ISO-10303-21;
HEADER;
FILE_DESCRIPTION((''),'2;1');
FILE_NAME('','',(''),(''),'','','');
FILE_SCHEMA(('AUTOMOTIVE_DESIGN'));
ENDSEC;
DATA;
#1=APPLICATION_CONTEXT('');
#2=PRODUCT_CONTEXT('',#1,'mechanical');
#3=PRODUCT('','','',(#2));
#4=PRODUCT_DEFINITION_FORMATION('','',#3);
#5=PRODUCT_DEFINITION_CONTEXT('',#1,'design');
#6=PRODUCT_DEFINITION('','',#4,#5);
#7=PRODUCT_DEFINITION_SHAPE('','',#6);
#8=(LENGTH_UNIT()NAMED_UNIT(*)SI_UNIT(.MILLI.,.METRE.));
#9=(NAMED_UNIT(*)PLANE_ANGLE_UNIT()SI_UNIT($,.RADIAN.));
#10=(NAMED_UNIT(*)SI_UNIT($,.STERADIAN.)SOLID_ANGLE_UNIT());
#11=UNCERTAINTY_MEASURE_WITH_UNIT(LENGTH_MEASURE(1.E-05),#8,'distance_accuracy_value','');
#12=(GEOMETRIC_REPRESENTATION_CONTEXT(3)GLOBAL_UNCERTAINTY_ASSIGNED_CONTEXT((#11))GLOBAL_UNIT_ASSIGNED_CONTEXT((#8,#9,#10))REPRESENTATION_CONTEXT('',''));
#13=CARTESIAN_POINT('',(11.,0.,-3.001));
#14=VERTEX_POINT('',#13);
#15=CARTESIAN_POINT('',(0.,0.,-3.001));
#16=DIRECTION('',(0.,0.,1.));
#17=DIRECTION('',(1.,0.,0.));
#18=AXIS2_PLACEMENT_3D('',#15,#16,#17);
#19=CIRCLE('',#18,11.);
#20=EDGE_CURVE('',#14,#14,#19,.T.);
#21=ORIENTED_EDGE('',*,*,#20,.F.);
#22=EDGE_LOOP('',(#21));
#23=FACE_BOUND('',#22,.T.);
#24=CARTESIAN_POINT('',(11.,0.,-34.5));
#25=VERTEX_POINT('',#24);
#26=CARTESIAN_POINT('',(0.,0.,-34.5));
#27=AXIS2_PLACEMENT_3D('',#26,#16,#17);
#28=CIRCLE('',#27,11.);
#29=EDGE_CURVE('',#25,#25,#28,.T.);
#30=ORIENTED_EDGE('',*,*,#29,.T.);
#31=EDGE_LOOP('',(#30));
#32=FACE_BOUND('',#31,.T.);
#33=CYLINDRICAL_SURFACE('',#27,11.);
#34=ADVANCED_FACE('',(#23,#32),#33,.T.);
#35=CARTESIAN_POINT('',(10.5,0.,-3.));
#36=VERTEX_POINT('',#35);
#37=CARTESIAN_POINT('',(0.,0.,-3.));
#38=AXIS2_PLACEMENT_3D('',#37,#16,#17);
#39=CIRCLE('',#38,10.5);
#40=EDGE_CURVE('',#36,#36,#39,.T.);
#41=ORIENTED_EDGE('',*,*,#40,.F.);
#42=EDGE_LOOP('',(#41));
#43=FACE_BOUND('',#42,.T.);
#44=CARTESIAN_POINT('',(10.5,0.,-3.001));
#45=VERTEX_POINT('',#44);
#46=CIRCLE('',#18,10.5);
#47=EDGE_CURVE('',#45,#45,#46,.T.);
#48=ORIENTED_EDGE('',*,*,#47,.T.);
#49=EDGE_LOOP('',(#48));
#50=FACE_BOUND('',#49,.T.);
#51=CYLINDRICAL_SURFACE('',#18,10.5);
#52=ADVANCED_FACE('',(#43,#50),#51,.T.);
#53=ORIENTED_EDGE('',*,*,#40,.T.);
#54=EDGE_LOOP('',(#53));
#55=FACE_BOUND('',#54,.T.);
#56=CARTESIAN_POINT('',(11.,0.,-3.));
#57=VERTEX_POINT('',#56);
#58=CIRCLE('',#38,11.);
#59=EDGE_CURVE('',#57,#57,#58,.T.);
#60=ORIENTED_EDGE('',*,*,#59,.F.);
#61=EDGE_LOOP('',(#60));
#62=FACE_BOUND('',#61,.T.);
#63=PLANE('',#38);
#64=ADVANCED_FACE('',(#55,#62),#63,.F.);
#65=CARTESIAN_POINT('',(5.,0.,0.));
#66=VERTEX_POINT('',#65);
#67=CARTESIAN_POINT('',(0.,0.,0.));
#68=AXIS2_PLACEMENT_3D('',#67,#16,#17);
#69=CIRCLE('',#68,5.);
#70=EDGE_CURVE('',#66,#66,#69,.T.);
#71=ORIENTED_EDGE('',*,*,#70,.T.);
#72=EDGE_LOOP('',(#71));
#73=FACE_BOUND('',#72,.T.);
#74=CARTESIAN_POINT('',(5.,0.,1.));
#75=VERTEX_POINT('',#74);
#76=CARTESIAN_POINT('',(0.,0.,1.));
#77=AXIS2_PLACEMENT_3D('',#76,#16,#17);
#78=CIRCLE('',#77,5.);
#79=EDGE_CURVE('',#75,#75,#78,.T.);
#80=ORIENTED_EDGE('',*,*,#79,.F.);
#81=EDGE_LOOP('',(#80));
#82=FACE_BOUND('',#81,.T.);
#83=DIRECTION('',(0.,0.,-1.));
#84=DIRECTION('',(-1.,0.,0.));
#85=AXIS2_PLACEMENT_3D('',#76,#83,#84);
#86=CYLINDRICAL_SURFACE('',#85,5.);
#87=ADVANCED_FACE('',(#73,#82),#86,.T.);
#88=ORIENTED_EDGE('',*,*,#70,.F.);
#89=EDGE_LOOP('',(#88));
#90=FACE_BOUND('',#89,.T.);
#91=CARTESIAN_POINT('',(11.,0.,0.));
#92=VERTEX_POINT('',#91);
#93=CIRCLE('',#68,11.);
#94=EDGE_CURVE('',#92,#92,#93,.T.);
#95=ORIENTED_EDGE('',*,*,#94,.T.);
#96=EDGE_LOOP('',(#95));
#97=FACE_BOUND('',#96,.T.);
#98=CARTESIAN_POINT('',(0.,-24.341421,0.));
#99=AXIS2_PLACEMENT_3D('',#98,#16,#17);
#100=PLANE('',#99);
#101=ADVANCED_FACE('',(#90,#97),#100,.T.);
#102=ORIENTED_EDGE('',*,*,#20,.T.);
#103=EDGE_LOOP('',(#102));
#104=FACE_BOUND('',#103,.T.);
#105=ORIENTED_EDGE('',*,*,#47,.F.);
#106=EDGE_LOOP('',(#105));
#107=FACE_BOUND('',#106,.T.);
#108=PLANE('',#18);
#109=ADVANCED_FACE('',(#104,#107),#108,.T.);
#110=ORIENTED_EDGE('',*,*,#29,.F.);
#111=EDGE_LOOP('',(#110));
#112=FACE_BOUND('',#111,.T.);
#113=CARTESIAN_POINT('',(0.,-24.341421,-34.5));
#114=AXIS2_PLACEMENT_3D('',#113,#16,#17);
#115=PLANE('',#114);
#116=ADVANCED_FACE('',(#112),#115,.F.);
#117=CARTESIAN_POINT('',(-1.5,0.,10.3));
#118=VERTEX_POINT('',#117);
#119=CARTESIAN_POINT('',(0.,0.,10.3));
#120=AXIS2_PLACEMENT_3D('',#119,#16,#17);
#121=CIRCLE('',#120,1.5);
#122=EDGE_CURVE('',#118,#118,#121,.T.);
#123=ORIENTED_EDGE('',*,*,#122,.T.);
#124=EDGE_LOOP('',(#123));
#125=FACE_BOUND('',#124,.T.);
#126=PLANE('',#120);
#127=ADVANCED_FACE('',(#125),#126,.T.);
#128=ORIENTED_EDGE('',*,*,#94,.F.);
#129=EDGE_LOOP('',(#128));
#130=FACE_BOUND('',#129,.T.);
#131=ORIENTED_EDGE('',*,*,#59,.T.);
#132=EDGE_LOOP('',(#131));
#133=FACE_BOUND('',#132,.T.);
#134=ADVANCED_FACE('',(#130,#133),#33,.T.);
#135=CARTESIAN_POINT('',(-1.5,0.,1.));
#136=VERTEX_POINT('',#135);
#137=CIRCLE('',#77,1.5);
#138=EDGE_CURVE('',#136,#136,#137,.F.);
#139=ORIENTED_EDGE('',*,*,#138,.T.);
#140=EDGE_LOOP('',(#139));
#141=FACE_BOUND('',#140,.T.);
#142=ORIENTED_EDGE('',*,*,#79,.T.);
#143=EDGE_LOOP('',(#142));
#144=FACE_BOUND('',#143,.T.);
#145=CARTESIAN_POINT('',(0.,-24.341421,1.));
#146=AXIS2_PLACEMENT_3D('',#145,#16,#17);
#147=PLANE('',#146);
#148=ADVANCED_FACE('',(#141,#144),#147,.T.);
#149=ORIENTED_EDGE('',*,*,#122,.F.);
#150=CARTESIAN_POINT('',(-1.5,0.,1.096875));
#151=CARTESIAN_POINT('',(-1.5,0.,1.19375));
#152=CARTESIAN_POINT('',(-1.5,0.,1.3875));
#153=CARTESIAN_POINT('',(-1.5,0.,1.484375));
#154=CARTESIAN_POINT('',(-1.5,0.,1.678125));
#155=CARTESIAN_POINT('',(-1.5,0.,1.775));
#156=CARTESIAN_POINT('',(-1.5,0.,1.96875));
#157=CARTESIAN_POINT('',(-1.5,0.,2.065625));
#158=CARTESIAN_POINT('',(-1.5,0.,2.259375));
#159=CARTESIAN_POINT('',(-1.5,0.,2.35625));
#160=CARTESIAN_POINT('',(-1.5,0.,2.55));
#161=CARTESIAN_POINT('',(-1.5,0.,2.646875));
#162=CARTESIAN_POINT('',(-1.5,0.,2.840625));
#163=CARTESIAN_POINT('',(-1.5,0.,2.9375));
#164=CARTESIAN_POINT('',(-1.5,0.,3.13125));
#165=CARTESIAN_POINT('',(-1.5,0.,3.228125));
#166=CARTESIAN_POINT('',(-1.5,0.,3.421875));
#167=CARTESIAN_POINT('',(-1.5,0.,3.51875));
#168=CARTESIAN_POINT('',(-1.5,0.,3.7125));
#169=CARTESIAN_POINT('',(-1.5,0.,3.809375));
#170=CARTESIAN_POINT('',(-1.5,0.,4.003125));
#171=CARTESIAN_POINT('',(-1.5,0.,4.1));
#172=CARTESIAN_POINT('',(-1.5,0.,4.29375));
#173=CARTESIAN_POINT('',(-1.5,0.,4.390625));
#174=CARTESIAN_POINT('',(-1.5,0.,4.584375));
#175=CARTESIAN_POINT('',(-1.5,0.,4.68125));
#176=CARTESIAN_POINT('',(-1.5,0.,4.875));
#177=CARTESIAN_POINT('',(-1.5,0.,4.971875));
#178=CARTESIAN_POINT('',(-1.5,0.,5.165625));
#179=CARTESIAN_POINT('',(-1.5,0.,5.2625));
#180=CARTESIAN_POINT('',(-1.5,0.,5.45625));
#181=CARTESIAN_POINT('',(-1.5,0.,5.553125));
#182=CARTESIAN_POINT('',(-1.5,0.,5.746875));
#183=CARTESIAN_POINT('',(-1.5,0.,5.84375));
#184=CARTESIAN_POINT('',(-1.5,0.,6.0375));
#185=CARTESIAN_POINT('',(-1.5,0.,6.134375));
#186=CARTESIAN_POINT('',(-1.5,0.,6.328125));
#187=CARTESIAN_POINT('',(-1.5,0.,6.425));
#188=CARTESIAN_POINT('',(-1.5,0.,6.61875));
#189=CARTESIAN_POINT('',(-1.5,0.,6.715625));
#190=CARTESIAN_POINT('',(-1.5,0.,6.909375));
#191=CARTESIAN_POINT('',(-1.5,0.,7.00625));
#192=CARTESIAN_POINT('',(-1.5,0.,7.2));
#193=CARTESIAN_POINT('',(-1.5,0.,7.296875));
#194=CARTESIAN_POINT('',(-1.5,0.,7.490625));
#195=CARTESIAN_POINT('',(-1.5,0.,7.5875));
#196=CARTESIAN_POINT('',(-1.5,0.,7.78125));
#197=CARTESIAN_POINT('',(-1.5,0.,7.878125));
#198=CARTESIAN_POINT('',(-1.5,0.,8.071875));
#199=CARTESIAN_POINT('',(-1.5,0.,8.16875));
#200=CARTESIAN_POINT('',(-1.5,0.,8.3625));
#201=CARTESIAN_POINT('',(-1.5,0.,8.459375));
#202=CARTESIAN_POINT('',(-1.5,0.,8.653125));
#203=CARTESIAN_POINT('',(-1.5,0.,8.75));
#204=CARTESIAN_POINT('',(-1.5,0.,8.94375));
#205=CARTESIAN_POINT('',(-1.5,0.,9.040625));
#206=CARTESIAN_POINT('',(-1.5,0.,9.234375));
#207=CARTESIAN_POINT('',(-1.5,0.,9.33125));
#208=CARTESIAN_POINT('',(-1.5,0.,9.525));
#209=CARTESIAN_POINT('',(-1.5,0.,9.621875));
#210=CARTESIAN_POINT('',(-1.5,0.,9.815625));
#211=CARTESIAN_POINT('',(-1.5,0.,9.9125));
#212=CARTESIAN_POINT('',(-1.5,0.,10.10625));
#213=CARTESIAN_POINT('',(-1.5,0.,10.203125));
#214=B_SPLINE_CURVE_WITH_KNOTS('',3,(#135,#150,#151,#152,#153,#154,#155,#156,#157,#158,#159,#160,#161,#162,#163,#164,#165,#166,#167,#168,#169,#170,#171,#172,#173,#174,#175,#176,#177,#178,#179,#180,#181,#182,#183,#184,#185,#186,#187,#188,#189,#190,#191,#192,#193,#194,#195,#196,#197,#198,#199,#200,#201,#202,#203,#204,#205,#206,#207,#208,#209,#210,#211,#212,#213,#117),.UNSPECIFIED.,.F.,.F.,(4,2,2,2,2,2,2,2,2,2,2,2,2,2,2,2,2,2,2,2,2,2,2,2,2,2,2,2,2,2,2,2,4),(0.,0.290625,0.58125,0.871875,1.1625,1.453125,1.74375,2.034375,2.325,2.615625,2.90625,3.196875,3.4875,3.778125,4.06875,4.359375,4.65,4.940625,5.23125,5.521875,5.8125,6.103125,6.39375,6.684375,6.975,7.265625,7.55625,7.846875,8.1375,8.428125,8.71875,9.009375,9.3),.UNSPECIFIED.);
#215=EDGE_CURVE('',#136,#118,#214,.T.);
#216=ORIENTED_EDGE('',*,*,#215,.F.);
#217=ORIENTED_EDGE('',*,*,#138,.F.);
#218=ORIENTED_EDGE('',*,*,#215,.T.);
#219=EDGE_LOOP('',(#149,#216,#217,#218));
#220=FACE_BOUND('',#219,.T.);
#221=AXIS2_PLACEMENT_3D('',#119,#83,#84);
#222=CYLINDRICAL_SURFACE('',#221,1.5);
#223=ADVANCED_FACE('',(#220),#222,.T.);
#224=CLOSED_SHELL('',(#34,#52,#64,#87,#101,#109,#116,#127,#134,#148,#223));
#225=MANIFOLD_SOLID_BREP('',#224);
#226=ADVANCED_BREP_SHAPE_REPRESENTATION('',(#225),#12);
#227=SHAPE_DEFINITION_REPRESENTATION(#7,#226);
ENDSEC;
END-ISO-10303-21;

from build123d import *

# Parameters (mm, degrees)
SKETCH1_R      = 11
BODY_DEPTH     = 34.5
SKETCH1_3_R    = 5
COLLAR_DEPTH   = 1
SKETCH1_4_R    = 1.5
SHAFT_DEPTH    = 10.3
CAP_START      = -3
SKETCH2_R      = 11
SKETCH2_R_2    = 10.5
CAP_RING_DEPTH = 0.001


with BuildPart() as part:
    # Sketch1 → Body (new body)
    with BuildSketch(Plane.XY):
        Circle(SKETCH1_R)
    extrude(amount=-BODY_DEPTH)

    # Sketch1<3> → Collar (add)
    with BuildSketch(Plane.XY):
        Circle(SKETCH1_3_R)
    extrude(amount=COLLAR_DEPTH)

    # Sketch1<4> → Shaft (add)
    with BuildSketch(Plane.XY):
        Circle(SKETCH1_4_R)
    extrude(amount=SHAFT_DEPTH)

    # Sketch2 → Cap Ring (cut)
    with BuildSketch(Plane.XY.offset(CAP_START)):
        Circle(SKETCH2_R)
        Circle(SKETCH2_R_2, mode=Mode.SUBTRACT)
    extrude(amount=-CAP_RING_DEPTH, mode=Mode.SUBTRACT)


solid = part.part
